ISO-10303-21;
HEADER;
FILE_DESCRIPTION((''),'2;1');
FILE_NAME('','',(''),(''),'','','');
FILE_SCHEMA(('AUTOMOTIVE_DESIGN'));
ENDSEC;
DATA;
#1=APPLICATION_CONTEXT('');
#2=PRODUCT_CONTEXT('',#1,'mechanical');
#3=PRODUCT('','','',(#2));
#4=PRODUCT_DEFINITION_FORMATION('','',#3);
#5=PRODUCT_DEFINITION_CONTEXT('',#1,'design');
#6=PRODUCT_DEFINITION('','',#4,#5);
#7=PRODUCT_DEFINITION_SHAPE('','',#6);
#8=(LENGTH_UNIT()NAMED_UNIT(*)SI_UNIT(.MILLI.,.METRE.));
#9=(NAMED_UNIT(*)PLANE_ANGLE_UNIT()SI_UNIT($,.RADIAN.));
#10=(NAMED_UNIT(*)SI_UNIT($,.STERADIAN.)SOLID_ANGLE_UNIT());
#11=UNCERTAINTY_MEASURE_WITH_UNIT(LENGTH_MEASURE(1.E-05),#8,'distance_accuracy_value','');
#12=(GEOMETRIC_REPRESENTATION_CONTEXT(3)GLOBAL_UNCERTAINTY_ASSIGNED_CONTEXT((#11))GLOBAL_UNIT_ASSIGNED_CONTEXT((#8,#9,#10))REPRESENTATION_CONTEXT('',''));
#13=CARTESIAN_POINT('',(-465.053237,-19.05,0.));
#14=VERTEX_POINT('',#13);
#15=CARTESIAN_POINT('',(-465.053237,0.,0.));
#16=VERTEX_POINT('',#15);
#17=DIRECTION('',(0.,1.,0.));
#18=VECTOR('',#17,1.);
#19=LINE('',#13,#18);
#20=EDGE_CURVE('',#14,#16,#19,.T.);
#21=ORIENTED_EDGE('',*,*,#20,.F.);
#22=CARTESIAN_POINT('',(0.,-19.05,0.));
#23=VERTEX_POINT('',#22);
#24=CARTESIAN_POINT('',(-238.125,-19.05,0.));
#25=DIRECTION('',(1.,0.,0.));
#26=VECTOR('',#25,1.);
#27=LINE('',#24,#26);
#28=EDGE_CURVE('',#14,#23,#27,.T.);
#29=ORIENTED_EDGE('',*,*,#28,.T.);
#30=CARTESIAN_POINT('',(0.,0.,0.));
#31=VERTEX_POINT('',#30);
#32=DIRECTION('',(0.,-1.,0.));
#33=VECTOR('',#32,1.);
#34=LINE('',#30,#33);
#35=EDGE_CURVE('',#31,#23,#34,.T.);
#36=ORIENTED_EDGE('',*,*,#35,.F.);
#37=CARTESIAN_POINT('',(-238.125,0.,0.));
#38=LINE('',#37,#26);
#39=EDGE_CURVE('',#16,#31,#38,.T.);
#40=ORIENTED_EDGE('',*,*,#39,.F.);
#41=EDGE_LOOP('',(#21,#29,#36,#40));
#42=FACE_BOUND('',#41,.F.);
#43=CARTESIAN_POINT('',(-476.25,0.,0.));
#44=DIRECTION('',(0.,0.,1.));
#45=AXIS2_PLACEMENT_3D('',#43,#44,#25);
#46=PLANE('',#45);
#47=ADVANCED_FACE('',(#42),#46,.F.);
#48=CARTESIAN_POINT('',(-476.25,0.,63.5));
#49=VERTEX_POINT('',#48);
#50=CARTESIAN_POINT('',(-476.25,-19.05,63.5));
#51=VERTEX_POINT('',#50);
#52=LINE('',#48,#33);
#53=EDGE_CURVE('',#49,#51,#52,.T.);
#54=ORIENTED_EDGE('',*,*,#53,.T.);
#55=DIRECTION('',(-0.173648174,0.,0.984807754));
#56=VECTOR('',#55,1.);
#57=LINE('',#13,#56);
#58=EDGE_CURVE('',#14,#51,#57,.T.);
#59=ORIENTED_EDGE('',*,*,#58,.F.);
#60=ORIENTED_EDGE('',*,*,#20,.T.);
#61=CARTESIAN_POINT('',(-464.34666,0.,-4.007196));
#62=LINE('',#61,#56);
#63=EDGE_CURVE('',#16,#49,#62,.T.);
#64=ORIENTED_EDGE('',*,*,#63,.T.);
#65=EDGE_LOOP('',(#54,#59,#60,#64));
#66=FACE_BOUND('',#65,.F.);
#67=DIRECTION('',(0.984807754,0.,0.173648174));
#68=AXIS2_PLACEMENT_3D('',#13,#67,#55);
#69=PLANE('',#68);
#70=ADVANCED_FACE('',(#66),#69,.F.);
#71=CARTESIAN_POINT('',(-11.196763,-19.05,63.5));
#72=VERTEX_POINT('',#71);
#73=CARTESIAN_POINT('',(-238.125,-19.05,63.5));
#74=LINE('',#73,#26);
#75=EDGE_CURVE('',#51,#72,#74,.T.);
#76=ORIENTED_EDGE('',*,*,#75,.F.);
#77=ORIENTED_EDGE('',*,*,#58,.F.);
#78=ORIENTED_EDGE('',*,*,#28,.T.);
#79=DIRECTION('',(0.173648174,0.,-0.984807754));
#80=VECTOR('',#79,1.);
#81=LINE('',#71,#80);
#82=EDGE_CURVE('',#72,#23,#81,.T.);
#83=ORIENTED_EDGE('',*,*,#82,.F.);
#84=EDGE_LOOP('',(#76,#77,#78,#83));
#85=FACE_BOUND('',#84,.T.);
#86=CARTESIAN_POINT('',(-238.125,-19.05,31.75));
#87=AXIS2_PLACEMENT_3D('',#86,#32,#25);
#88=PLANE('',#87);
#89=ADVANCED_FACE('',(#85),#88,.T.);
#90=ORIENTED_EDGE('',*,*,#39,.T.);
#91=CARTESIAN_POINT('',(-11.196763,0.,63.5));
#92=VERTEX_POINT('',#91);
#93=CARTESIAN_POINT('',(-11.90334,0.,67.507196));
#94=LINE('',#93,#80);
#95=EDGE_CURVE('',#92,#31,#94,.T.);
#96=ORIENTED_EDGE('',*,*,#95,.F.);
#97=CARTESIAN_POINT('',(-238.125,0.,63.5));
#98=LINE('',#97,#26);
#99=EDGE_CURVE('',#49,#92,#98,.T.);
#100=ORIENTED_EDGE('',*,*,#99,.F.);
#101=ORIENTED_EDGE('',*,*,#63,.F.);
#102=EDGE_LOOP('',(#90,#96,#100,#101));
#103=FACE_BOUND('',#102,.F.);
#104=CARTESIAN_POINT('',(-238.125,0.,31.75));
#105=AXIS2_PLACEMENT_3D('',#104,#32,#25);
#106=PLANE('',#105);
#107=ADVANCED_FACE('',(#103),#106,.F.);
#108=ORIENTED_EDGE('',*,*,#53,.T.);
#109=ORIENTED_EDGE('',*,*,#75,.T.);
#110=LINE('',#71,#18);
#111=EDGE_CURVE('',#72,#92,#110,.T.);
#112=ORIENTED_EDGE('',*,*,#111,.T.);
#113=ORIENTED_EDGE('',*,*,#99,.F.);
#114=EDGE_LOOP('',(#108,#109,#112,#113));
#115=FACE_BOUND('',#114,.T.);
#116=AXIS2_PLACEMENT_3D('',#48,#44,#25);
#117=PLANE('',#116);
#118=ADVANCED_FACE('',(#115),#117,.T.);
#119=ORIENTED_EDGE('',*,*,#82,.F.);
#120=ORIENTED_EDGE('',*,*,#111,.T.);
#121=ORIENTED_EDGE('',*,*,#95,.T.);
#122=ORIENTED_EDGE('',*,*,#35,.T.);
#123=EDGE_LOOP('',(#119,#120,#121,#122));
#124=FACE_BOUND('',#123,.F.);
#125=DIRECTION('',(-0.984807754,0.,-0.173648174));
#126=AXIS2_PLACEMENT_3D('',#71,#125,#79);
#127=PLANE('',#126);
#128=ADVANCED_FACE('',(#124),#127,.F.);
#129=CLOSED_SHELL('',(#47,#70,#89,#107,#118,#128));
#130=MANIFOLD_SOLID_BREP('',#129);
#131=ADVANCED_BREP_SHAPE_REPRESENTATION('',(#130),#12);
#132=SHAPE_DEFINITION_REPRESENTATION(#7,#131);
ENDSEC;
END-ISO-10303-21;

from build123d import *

# Parameters (mm, degrees)
F0_W     = 476.25
F0_H     = 63.5
F1_DEPTH = 19.05
F3_DEPTH = 25.4
F5_DEPTH = 25.4


with BuildPart() as f1:
    # F0 (on Front) → F1 (new body)
    with BuildSketch(Plane.XZ):
        with Locations((-238.125, 31.75)):
            Rectangle(F0_W, F0_H)
    extrude(amount=F1_DEPTH)

    # F2 (on face) → F3 (cut)
    with BuildSketch(Plane.XZ.offset(19.05)):
        Polygon((-465.053237, 0), (-476.25, 63.5), (-476.25, 0), align=None)
    extrude(amount=-F3_DEPTH, mode=Mode.SUBTRACT)

    # F4 (on face) → F5 (cut)
    with BuildSketch(Plane.XZ.offset(19.05)):
        Polygon((-11.196763, 63.5), (0, 0), (0, 63.5), align=None)
    extrude(amount=-F5_DEPTH, mode=Mode.SUBTRACT)


solid = f1.part
